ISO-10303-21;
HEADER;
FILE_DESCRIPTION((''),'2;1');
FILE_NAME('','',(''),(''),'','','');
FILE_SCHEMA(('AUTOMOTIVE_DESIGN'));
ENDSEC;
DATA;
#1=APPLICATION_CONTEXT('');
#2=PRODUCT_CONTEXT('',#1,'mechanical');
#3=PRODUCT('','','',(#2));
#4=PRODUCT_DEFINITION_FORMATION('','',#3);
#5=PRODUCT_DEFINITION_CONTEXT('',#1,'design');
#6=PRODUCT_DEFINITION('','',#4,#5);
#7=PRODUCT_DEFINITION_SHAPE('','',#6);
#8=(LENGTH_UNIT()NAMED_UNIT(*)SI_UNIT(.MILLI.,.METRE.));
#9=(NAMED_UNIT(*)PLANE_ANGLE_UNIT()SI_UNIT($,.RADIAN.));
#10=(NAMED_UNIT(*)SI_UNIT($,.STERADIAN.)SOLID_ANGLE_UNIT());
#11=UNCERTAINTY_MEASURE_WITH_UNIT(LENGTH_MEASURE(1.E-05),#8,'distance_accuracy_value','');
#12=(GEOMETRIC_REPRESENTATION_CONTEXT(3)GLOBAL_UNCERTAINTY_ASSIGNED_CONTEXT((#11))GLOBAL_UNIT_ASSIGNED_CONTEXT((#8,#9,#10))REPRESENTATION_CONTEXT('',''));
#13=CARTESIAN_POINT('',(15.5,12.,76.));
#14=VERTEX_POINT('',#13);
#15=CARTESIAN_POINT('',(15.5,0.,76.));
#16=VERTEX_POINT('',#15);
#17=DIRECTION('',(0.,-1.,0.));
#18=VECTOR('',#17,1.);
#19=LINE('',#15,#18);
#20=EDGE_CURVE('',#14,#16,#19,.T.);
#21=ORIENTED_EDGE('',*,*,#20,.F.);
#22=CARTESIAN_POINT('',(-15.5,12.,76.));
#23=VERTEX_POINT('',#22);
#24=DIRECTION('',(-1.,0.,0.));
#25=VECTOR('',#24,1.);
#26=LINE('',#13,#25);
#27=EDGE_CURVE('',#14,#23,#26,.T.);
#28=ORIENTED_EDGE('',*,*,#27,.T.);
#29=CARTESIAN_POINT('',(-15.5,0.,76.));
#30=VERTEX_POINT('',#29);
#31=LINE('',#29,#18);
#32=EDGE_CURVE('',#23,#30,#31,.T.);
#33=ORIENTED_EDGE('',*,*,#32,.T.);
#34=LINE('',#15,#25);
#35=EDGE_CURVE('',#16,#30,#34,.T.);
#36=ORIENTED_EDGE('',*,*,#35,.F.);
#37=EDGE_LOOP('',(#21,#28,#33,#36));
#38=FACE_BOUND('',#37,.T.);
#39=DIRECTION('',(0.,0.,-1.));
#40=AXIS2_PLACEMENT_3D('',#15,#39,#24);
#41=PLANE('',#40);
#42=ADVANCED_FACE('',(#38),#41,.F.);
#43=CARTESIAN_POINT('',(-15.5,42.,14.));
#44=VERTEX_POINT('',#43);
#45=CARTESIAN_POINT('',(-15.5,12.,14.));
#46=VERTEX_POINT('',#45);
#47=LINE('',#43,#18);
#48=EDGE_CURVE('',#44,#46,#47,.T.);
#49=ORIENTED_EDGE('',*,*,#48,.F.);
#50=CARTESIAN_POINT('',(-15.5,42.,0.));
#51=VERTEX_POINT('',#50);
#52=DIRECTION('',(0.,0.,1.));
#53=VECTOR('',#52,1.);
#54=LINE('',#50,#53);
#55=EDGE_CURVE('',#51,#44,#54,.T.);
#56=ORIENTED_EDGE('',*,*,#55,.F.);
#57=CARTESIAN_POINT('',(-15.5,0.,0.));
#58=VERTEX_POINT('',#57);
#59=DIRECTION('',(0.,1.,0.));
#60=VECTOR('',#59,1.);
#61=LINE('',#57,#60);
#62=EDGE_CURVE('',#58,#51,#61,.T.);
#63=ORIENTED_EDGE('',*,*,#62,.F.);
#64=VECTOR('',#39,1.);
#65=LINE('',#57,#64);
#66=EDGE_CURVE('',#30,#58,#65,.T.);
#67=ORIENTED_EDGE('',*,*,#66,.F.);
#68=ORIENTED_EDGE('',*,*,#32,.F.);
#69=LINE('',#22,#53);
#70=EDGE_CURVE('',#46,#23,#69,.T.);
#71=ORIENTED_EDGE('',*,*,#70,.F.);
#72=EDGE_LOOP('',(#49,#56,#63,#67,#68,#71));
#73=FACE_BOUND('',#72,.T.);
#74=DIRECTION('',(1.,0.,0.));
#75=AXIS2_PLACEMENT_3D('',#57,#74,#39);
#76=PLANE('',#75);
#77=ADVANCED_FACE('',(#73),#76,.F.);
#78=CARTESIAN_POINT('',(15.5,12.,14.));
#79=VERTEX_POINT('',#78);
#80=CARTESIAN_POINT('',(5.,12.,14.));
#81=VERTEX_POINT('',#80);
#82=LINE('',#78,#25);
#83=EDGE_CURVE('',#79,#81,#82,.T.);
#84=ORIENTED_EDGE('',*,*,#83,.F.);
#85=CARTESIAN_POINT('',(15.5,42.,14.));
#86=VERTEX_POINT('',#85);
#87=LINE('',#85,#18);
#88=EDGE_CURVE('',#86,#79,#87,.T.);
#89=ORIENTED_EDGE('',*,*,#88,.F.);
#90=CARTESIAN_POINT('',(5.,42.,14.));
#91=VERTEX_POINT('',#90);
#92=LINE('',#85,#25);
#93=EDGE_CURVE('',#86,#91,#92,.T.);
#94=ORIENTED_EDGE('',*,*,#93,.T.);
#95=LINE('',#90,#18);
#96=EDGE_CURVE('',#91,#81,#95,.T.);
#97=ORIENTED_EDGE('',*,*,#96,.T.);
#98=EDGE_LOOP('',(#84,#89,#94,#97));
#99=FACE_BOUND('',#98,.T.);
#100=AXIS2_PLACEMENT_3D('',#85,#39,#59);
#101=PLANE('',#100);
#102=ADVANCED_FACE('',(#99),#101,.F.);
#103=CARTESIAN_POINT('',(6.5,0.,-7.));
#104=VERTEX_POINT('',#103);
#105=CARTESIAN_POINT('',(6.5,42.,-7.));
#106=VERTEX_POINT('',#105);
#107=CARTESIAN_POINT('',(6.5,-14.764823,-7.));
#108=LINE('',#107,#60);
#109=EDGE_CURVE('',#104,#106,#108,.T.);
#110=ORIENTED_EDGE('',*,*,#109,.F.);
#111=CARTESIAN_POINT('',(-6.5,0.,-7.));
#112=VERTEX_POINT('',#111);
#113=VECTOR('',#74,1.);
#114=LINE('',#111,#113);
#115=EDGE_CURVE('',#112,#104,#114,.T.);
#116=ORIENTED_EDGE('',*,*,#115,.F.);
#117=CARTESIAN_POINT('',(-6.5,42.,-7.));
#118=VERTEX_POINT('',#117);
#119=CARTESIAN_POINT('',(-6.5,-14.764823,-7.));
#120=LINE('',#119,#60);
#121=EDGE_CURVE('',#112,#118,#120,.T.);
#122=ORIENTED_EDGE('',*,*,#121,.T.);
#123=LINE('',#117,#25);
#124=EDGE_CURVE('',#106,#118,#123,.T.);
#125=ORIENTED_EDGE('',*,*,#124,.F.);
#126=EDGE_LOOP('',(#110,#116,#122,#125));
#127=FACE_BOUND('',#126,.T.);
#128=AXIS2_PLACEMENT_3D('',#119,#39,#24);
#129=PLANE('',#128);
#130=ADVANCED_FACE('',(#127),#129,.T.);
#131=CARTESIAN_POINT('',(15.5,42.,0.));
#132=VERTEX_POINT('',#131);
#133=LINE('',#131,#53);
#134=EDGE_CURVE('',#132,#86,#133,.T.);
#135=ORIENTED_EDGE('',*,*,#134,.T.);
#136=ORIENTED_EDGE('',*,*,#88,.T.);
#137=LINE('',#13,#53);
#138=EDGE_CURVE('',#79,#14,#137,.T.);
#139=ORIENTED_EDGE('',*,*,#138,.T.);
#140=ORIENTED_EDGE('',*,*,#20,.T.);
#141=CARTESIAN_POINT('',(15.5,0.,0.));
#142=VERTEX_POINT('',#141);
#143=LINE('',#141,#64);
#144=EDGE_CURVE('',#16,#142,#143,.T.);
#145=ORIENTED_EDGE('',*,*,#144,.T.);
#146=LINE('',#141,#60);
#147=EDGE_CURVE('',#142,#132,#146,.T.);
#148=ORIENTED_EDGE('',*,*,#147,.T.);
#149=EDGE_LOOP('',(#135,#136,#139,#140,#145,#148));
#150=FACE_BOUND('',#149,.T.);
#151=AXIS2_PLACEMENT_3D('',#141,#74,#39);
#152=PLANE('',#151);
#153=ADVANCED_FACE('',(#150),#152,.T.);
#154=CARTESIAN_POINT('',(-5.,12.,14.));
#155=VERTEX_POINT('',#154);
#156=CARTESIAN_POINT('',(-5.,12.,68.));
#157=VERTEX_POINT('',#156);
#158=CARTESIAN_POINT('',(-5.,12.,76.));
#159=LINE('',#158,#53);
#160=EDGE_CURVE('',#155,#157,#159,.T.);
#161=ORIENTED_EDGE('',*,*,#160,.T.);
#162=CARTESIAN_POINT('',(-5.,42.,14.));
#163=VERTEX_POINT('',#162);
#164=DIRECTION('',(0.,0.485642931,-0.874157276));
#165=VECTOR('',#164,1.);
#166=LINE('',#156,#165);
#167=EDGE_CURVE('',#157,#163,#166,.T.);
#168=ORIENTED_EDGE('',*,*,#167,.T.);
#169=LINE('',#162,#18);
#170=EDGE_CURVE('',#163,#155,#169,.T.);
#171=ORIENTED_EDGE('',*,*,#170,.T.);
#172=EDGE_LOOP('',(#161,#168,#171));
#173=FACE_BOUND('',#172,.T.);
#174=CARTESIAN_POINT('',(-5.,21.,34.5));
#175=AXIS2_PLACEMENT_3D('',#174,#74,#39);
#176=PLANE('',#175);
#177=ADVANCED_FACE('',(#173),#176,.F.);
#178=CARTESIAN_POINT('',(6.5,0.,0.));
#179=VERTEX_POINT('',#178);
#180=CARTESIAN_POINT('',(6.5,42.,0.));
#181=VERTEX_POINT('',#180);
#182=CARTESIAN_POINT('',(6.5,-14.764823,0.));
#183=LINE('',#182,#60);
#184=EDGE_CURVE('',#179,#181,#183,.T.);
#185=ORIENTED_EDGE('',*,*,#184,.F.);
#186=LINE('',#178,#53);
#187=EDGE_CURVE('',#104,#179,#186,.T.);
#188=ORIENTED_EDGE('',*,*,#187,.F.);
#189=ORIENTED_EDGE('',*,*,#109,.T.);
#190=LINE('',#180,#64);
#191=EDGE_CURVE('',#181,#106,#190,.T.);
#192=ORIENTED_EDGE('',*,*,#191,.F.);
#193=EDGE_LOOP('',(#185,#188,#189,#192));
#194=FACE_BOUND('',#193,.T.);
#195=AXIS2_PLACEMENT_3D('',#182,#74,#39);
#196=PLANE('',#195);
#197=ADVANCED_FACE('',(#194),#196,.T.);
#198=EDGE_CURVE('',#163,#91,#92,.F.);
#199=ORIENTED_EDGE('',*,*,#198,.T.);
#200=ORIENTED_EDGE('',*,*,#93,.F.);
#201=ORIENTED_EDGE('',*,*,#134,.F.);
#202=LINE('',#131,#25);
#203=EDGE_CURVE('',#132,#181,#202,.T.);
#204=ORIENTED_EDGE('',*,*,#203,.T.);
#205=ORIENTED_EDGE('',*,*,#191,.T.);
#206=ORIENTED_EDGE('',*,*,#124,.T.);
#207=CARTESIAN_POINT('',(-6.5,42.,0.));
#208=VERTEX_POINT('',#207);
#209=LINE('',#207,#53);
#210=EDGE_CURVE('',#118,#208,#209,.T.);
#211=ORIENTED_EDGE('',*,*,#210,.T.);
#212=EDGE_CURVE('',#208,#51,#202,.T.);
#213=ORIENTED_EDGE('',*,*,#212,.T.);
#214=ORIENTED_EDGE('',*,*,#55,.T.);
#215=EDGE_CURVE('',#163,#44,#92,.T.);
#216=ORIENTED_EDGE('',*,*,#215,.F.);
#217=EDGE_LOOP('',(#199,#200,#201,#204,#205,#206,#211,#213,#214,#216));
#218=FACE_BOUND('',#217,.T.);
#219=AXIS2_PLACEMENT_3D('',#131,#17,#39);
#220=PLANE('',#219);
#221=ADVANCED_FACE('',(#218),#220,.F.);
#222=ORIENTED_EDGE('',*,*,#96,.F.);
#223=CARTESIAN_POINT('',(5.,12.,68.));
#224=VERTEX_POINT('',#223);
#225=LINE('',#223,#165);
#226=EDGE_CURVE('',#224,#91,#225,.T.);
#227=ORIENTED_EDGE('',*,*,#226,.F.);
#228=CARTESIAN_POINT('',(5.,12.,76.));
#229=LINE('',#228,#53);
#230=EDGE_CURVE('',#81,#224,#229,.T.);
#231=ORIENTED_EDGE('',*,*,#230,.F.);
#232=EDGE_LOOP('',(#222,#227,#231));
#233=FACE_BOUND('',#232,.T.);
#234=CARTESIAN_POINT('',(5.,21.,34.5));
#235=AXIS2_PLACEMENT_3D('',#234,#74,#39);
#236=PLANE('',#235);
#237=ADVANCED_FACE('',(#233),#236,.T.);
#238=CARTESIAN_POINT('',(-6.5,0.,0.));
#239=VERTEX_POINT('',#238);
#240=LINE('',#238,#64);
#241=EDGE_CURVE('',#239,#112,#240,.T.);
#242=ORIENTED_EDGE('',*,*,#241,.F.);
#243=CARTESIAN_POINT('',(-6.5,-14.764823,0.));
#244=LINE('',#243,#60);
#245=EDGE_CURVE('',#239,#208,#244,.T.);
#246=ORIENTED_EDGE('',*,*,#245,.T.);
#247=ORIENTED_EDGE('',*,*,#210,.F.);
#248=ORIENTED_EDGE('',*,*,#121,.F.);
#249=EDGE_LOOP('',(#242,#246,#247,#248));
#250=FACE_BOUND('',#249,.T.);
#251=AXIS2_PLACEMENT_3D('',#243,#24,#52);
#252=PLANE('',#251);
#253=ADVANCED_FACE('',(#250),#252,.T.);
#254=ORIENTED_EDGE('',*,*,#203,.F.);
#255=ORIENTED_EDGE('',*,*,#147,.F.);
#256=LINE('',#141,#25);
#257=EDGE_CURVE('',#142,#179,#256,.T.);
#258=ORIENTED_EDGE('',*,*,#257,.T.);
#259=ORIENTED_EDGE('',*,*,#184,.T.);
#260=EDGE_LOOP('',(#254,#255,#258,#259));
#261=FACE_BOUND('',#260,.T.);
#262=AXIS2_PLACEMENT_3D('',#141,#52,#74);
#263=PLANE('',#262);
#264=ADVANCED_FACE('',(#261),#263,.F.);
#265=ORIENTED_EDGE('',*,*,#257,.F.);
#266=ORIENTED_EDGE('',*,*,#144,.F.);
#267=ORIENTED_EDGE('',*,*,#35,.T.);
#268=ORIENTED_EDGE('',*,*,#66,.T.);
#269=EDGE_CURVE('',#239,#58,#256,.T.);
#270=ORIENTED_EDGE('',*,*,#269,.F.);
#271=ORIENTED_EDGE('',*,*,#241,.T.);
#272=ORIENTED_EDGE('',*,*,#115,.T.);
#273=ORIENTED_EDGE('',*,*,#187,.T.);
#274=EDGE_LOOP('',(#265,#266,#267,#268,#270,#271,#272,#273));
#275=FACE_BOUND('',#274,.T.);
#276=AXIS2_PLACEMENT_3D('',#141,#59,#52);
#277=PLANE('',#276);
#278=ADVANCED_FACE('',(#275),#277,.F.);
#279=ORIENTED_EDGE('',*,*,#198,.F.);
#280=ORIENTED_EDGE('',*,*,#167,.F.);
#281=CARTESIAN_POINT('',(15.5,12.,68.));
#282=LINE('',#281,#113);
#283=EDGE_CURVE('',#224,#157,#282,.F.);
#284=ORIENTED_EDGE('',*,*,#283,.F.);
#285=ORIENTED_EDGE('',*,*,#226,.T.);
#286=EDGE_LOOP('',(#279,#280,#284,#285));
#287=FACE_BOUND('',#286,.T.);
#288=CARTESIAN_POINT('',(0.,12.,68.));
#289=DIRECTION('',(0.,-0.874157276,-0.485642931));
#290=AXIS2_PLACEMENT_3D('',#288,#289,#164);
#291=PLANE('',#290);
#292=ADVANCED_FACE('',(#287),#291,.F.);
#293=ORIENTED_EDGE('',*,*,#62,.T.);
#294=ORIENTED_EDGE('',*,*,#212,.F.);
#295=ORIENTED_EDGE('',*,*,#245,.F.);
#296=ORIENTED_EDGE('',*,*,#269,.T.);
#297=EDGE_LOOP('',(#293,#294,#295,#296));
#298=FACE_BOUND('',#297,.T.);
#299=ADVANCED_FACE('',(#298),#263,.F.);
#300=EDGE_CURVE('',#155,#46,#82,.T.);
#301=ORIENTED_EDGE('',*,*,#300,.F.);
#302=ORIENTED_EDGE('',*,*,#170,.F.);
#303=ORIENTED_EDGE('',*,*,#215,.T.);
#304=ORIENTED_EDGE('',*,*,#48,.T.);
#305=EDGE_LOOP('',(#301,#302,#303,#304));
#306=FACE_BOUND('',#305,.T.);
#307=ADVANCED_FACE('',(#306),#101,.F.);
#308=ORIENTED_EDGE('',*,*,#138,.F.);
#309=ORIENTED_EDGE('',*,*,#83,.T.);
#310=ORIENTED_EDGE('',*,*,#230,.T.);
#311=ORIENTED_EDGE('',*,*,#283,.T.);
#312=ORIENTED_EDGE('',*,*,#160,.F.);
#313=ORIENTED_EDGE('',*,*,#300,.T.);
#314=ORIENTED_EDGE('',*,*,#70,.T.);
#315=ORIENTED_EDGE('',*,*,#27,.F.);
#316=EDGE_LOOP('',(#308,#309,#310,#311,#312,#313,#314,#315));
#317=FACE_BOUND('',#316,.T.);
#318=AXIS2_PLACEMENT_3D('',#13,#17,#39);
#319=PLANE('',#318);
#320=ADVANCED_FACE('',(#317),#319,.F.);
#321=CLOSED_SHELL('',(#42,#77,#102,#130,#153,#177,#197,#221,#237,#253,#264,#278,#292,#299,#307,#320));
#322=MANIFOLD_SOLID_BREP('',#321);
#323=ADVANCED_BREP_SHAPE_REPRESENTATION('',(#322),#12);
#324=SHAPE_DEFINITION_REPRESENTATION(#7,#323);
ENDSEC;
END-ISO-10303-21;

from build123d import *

# Parameters (mm, degrees)
SALIENTE_EXTRUIR1_DEPTH = 15.5
CROQUIS2_W              = 13
CROQUIS2_H              = 7
SALIENTE_EXTRUIR2_DEPTH = 42
NERVIO1_REACH           = 90.206
CROQUIS3_WALL_W         = 240.185231722
CROQUIS3_WALL_H         = 10


with BuildPart() as part:
    # Croquis1 → Saliente-Extruir1 (new, symmetric)
    with BuildSketch(Plane(origin=(0, 0, 0), x_dir=(0, 0, -1), z_dir=(1, 0, 0))):
        Polygon((0, 0), (-76, 0), (-76, 12), (-14, 12), (-14, 42), (0, 42), align=None)
    extrude(amount=SALIENTE_EXTRUIR1_DEPTH, both=True)

    # Croquis2 → Saliente-Extruir2 (add)
    with BuildSketch(Plane(origin=(0, 42, 0), x_dir=(1, 0, 0), z_dir=(0, 1, 0))):
        with Locations((0, 3.5)):
            Rectangle(CROQUIS2_W, CROQUIS2_H)
    extrude(amount=-SALIENTE_EXTRUIR2_DEPTH)

    # Croquis3 wall → Nervio1 (add, up to next)
    with BuildSketch(Plane(origin=(0, 27, 41), x_dir=(0, 0.485642931179, -0.874157276122), z_dir=(0, 0.874157276122, 0.485642931179)), mode=Mode.PRIVATE) as nervio1_sk1:
        Rectangle(CROQUIS3_WALL_W, CROQUIS3_WALL_H)
    nervio1_tool1 = extrude(nervio1_sk1.sketch, amount=-NERVIO1_REACH, mode=Mode.PRIVATE) - part.part
    add(nervio1_tool1.solids().sort_by_distance((0, 27, 41))[0])


solid = part.part
